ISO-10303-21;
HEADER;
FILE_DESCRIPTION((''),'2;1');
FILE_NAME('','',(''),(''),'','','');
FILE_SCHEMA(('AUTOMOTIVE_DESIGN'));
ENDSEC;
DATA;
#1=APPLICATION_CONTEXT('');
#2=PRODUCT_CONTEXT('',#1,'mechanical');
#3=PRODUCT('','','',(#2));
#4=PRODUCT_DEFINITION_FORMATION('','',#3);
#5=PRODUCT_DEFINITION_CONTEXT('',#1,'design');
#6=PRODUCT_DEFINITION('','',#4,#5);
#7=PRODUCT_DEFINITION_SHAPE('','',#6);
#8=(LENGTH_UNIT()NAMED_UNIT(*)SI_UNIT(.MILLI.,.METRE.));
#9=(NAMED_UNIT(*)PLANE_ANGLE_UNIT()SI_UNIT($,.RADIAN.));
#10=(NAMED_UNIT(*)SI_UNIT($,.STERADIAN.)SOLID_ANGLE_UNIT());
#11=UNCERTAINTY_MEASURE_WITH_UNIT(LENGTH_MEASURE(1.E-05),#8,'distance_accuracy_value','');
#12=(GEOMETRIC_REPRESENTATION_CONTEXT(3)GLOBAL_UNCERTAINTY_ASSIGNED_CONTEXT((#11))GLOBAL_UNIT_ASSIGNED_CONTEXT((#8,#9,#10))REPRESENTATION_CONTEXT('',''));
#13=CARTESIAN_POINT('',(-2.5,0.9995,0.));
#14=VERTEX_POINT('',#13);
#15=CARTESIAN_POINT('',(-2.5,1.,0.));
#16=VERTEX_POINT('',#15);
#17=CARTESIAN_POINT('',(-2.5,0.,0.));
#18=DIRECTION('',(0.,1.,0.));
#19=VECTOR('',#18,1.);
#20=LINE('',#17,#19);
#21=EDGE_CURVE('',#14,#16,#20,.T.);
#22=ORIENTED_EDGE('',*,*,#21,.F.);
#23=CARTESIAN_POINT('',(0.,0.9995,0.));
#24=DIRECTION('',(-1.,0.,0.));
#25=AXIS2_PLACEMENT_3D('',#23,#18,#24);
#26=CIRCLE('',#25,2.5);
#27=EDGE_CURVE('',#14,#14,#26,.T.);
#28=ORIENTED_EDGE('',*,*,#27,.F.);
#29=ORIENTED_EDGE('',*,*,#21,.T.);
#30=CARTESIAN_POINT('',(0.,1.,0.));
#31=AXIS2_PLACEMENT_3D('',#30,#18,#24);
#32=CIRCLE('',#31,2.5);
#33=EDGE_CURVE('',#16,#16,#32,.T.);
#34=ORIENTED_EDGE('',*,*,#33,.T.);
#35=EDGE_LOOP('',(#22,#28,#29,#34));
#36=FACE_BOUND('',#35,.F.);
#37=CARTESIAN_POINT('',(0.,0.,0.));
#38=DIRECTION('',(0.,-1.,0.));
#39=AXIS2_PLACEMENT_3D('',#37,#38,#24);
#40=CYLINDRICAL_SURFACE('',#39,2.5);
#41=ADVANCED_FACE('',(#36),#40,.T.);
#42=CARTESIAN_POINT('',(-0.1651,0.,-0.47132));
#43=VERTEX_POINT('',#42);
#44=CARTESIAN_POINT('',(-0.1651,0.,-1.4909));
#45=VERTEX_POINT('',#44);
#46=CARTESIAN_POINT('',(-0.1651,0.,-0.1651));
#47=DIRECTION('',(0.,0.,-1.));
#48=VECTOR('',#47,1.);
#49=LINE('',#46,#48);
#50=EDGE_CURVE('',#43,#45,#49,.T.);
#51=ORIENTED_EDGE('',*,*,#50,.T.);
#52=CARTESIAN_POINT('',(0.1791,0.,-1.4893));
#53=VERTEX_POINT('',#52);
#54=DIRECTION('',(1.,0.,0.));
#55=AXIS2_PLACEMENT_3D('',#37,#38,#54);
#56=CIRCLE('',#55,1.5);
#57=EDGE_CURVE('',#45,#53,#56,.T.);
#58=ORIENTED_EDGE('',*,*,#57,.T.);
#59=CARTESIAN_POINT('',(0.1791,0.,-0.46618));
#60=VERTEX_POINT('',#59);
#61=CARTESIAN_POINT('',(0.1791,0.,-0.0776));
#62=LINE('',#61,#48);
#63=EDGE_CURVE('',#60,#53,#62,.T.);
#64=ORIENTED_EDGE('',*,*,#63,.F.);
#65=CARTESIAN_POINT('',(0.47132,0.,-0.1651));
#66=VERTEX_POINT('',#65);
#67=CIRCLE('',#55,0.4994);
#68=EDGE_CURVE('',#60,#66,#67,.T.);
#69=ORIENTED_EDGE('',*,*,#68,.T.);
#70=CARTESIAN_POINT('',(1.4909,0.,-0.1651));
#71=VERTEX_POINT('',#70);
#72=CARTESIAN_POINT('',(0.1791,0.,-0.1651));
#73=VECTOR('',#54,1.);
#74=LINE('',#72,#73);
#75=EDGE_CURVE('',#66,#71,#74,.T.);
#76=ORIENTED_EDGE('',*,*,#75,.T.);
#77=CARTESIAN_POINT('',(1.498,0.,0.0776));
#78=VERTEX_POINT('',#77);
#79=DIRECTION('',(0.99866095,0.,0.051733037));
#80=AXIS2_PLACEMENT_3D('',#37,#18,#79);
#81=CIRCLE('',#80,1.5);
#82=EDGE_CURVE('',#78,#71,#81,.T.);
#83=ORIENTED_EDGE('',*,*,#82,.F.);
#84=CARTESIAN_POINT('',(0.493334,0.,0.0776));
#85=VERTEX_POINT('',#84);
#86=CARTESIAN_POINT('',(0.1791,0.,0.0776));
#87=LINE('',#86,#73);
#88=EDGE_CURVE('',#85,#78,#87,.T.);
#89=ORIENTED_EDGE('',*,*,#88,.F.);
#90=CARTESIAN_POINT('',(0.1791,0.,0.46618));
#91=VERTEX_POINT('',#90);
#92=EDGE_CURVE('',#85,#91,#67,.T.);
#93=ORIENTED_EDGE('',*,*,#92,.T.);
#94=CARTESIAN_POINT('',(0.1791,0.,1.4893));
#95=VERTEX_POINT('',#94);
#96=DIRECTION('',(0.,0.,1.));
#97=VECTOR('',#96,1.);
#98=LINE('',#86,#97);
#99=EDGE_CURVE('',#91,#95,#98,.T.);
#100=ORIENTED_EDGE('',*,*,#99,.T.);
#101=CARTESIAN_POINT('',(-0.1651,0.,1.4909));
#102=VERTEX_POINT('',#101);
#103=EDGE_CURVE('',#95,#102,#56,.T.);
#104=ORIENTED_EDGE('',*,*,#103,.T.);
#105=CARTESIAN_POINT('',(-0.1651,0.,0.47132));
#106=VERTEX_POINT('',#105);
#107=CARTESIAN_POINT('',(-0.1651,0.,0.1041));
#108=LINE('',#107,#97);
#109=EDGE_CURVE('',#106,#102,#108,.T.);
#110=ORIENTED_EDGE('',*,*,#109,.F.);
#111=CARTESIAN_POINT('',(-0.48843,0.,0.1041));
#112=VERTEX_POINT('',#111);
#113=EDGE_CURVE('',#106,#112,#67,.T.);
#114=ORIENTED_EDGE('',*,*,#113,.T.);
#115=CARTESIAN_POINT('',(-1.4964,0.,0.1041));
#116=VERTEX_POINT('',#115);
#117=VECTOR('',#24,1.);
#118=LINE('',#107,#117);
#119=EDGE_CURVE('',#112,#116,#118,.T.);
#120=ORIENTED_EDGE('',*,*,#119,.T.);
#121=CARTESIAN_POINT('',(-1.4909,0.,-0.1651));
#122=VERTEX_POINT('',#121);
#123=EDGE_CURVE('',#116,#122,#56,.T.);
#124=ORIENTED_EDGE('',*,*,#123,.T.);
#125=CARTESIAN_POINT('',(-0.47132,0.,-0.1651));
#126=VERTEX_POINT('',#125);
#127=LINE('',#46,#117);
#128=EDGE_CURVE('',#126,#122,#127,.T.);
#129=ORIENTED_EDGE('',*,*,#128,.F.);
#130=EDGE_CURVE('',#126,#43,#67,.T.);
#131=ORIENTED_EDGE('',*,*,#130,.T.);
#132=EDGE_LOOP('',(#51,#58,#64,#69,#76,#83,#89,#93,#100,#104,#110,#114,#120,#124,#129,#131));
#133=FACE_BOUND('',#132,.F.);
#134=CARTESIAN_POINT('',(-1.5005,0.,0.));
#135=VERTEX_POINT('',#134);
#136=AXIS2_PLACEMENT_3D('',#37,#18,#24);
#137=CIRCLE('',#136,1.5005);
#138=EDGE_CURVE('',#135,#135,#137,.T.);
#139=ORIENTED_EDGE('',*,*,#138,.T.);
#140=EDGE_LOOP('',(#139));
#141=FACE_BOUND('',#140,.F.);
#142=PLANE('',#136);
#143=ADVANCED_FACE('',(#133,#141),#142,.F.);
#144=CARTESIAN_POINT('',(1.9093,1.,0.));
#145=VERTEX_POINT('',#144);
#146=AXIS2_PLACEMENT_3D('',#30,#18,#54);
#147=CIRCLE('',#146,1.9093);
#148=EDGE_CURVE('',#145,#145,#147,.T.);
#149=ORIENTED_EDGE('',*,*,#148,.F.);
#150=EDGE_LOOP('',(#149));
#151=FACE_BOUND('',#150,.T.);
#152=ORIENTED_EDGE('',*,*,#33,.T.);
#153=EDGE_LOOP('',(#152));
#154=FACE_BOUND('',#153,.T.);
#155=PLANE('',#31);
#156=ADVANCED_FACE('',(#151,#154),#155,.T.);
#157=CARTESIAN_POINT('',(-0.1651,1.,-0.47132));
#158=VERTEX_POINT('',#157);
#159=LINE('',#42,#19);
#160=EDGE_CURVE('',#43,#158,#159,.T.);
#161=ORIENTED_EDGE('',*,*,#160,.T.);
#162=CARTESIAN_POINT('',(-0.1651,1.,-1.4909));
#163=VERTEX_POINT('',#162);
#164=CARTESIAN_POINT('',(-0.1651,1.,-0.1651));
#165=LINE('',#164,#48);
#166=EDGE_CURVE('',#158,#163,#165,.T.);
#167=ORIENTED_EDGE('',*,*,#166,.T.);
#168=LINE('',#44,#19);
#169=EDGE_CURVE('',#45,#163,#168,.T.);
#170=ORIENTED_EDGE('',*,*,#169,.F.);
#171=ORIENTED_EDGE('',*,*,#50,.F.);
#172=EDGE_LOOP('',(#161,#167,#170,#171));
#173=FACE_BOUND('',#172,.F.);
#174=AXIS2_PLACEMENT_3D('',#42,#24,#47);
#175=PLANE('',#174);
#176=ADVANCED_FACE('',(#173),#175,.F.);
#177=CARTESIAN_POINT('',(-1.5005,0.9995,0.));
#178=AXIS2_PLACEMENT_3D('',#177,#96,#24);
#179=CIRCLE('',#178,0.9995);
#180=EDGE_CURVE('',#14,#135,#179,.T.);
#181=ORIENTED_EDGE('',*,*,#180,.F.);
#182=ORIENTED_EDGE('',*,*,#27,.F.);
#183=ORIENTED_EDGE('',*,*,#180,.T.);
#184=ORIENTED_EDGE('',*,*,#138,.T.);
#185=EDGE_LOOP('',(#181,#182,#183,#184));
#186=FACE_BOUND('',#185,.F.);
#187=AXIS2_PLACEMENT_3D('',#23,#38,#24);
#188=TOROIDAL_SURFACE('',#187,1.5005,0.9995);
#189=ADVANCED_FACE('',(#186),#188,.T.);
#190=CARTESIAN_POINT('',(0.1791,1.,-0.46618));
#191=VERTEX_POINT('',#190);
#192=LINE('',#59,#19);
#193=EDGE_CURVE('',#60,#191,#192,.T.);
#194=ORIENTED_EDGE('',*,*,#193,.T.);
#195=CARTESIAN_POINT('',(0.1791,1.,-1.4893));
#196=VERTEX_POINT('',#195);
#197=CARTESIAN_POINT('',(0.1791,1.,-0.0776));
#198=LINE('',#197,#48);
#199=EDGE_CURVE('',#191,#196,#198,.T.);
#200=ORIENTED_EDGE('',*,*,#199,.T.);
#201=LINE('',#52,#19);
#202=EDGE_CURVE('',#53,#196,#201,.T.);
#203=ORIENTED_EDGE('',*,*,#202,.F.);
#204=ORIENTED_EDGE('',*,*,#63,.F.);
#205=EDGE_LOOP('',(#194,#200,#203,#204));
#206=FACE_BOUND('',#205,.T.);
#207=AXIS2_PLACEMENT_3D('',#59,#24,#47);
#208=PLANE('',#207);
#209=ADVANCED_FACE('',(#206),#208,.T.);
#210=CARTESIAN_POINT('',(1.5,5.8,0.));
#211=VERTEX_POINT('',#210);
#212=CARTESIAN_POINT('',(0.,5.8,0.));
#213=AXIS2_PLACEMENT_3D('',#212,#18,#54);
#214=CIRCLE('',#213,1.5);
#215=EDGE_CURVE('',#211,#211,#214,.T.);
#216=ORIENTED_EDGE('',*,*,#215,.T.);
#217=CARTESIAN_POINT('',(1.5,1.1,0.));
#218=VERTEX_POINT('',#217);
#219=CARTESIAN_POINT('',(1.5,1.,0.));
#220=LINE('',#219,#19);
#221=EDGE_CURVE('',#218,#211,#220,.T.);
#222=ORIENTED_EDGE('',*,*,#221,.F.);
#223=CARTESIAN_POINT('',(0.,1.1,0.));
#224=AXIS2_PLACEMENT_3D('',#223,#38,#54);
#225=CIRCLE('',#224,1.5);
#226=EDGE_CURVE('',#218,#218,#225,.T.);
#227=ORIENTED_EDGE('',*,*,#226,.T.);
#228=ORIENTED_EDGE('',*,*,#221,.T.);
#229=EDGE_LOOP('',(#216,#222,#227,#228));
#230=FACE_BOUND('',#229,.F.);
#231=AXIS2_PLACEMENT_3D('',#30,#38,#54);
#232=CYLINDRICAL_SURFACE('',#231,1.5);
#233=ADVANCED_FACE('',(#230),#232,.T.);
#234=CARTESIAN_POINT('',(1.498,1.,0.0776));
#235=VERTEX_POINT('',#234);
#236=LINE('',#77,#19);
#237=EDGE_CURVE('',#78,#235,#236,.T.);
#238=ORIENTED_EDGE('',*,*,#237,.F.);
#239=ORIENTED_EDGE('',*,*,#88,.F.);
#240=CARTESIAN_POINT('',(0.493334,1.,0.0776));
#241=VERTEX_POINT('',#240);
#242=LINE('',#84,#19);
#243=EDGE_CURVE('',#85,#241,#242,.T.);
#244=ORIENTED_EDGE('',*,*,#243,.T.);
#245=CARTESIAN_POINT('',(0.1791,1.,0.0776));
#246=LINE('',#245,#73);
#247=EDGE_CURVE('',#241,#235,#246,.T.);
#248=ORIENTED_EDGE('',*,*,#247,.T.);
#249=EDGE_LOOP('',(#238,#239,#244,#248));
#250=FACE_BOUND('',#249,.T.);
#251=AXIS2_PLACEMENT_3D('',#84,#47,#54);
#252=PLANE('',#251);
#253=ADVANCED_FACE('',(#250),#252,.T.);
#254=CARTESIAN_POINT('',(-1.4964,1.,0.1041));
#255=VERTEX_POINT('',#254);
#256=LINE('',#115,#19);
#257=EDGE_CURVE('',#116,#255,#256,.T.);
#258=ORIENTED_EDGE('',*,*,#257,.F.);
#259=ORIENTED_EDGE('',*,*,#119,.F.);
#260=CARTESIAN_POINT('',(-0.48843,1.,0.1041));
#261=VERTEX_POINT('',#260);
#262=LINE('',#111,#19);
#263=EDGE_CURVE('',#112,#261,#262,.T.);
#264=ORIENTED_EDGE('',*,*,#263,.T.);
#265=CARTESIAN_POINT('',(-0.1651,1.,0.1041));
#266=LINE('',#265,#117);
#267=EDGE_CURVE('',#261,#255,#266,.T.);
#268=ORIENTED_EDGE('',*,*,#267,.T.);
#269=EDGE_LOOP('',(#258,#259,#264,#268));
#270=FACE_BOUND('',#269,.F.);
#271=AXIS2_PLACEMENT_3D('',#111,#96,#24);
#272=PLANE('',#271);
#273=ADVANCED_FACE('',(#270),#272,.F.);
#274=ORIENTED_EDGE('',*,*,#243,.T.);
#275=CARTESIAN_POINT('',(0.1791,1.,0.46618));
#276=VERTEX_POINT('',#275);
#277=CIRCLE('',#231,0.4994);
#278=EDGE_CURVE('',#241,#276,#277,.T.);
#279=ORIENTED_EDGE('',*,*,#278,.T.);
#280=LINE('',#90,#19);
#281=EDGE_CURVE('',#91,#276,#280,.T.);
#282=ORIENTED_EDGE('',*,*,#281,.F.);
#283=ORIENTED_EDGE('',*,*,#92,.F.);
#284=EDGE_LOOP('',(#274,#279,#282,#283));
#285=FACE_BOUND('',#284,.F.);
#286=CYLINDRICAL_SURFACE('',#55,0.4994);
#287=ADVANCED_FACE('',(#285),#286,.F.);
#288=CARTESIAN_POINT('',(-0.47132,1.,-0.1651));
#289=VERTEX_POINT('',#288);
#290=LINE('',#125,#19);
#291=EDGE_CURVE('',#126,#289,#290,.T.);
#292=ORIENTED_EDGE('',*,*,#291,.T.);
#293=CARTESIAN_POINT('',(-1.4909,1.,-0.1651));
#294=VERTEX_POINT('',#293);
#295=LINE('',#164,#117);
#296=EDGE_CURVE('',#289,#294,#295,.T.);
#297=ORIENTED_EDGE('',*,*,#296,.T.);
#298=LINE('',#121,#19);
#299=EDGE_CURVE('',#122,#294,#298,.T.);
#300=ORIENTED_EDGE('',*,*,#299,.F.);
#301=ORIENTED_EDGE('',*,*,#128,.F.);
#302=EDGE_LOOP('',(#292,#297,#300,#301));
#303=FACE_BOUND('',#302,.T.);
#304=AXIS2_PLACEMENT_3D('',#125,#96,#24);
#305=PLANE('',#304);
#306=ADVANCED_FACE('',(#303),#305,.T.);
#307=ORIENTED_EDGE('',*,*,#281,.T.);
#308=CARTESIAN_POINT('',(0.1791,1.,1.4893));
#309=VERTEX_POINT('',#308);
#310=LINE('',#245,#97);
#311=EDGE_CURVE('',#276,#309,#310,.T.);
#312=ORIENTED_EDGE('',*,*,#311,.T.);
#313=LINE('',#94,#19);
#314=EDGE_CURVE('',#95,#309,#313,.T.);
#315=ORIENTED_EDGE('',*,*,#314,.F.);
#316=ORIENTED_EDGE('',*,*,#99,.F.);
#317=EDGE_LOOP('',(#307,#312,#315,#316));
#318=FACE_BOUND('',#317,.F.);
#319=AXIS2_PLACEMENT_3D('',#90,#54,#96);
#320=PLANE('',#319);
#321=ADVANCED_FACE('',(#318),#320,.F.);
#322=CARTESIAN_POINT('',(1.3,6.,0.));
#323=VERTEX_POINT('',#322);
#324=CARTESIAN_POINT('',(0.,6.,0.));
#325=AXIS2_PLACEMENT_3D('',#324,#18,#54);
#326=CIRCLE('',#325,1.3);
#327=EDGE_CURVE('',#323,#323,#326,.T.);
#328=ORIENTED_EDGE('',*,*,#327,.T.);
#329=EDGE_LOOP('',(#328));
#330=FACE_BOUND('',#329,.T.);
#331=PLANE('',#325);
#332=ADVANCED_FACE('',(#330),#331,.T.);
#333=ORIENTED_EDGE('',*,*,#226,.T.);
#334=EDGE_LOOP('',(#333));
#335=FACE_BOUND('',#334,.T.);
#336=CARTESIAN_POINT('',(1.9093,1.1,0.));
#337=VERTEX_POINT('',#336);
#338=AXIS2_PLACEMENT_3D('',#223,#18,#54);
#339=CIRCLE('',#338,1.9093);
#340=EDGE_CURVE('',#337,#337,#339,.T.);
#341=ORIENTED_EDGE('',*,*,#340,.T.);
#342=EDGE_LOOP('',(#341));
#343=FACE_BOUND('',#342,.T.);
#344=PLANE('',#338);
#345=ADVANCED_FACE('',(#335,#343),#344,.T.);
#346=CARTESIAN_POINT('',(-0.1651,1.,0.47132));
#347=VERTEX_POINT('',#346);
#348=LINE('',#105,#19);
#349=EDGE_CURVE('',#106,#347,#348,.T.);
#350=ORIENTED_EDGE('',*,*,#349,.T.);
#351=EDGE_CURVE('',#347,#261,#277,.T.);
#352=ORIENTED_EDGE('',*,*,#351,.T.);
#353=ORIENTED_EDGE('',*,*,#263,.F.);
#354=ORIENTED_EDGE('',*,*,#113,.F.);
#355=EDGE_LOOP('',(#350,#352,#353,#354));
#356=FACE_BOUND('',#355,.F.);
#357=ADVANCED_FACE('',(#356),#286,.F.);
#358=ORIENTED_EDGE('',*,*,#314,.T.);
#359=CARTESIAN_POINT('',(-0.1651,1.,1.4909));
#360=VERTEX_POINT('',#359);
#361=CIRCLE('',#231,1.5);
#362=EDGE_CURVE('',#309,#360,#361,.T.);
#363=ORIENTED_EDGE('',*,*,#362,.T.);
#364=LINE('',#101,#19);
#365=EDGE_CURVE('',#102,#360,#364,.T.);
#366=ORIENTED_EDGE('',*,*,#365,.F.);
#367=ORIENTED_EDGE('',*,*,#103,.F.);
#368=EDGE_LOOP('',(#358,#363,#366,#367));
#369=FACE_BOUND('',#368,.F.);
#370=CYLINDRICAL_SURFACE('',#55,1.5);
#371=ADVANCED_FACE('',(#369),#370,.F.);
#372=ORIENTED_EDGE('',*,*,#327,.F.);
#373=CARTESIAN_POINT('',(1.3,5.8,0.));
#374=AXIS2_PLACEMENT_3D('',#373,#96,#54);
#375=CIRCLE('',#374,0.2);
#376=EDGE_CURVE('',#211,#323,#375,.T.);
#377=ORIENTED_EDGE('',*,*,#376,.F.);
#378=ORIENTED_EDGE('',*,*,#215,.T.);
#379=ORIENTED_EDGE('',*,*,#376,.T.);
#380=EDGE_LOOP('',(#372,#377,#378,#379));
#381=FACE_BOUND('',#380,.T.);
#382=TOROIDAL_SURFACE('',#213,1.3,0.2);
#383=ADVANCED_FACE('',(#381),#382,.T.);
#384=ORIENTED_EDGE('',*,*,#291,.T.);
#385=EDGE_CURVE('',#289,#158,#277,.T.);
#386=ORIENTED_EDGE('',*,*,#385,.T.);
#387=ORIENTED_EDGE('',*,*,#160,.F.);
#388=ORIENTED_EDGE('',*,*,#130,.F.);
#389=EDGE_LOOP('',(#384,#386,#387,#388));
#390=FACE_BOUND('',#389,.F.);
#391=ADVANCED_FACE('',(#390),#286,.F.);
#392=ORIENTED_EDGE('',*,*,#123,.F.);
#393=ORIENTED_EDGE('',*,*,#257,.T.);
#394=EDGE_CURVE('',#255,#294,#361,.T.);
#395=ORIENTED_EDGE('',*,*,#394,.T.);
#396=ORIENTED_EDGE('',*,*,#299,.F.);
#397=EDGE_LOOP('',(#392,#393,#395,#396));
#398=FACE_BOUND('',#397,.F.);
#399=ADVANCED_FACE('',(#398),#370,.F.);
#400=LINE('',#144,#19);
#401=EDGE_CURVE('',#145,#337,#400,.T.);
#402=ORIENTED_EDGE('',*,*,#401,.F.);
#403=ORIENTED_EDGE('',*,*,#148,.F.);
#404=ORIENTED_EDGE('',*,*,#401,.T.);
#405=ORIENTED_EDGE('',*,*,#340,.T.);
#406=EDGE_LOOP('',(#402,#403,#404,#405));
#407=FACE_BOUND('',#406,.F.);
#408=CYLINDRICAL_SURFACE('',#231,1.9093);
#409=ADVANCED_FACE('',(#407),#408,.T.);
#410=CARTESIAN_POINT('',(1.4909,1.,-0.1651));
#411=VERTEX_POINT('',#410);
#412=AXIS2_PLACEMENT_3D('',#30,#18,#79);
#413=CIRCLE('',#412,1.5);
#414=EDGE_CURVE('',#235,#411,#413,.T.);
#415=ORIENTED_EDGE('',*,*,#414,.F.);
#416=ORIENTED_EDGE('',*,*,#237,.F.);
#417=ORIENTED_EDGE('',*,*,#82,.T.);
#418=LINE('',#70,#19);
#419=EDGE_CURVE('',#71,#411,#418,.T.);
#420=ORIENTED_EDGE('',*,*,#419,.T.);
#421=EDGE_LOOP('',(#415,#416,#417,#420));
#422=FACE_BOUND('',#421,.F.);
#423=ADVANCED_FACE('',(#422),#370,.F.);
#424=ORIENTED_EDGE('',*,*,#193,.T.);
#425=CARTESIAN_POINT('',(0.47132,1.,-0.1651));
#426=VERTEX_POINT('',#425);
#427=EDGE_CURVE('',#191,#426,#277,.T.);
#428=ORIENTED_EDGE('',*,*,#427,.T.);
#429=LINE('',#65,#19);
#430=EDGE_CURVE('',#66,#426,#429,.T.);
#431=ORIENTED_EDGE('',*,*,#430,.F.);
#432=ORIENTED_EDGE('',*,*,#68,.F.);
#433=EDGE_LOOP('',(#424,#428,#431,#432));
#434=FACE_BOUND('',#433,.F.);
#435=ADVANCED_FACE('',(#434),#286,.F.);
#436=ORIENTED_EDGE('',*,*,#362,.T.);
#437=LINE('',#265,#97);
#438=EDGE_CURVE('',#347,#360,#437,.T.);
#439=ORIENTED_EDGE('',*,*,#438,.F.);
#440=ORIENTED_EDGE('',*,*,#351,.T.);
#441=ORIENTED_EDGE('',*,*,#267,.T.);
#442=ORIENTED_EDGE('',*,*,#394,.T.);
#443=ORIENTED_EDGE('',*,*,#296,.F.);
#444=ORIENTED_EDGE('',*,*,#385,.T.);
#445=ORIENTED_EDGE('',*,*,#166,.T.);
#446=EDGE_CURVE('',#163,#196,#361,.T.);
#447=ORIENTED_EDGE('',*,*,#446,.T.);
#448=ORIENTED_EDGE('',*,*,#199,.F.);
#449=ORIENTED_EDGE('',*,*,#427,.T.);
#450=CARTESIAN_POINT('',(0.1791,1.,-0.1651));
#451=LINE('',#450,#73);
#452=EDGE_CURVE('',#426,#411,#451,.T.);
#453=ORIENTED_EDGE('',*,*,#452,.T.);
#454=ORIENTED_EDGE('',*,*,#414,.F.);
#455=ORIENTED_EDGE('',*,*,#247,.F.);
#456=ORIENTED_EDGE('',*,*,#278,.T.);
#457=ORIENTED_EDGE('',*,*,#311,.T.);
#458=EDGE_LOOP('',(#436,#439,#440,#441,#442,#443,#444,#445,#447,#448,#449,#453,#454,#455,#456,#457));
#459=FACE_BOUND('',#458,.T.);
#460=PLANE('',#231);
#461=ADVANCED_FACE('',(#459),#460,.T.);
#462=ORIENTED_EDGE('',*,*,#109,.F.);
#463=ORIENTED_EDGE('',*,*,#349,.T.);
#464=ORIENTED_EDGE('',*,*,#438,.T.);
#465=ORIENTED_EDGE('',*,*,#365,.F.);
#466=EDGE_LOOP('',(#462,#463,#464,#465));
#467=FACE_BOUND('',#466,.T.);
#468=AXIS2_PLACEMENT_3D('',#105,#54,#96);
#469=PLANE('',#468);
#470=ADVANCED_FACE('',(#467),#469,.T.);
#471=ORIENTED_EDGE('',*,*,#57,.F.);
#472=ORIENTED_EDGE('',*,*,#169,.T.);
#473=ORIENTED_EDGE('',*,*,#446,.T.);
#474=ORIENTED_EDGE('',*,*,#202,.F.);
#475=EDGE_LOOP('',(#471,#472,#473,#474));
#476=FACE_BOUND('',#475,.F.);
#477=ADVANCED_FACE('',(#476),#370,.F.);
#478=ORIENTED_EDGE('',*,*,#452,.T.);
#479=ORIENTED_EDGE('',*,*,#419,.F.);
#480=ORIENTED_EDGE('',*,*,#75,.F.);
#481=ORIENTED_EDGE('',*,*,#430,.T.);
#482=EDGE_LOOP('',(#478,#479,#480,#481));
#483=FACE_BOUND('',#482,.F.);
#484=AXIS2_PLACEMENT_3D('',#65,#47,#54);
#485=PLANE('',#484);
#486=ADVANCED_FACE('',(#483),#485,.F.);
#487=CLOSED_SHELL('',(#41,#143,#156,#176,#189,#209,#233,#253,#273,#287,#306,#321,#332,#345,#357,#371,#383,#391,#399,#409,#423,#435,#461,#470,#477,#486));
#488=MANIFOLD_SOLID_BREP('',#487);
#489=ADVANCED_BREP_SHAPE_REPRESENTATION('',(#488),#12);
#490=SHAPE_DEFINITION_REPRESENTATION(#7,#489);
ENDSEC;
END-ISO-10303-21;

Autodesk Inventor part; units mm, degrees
ref_plane "YZ Plane" through (0, 0, 0) normal (1, 0, 0) x (0, 1, 0)
ref_plane "XZ Plane" through (0, 0, 0) normal (0, 1, 0) x (-1, 0, 0)
ref_plane "XY Plane" through (0, 0, 0) normal (0, 0, 1) x (1, 0, 0)
sketch "Sketch1" plane through (0, 0, 0) normal (0, 1, 0) x (-1, 0, 0)
  circle A0 centre (0, 0) radius 2.5
  circle A1 centre (0, 0) radius 1.5
  dimension "d0" = 5
  dimension "d1" = 3
extrude "Extrusion1" add sketch "Sketch1" along normal blind 1
sketch "Sketch2" plane through (0, 1, 0) normal (0, 1, 0) x (1, 0, 0)
  circle A0 centre (0, 0) radius 1.5
  dimension "d4" = 3
extrude "Extrusion2" add sketch "Sketch2" along normal blind 5 and the other way blind 1
sketch "Sketch4" plane through (0, 0, 0) normal (0, -1, 0) x (1, 0, 0)
  circle A0 centre (0, 0) radius 1.5 projected
  line L0 (-0.1651, 0.1041) -> (-0.1651, 1.4909)
  line L1 (0.1791, 0.0776) -> (0.1791, 1.4893)
  line L2 (-0.1651, -0.1651) -> (-0.1651, -1.4909)
  line L3 (0.1791, -0.0776) -> (0.1791, -1.4893)
  line L4 (-0.1651, -0.1651) -> (-1.4909, -0.1651)
  line L5 (0.1791, -0.1651) -> (1.4909, -0.1651)
  line L6 (-0.1651, 0.1041) -> (-1.4964, 0.1041)
  line L7 (0.1791, 0.0776) -> (1.498, 0.0776)
  circle A1 centre (0, 0) radius 0.4994
extrude "Extrusion4" cut sketch "Sketch4" against normal blind 1 contours A0 L5 A1 L7 | L1 A1 L0 A0 | A1 L5 L3 L2 L4 L6 L0 L1 L7 | L7 L1 A1 | A0 L2 A1 L3 | A1 L3 L5 | L6 A1 L4 A0 | L0 L6 A1 | A1 L4 L2
fillet "Fillet1" radius 1 1 edges at (2.5, 0, 0)
fillet "Fillet2" radius 0.2 1 edges at (-1.5, 6, 0)
sketch "Sketch5" plane through (0, 1, 0) normal (0, 1, 0) x (1, 0, 0)
  circle A0 centre (0, 0) radius 1.9093
extrude "Extrusion5" add sketch "Sketch5" along normal blind 0.1
thread "Thread1" size "M3x0.5" class "6g" standard "ANSI Metric M Profile" full length
properties part number "screw"
